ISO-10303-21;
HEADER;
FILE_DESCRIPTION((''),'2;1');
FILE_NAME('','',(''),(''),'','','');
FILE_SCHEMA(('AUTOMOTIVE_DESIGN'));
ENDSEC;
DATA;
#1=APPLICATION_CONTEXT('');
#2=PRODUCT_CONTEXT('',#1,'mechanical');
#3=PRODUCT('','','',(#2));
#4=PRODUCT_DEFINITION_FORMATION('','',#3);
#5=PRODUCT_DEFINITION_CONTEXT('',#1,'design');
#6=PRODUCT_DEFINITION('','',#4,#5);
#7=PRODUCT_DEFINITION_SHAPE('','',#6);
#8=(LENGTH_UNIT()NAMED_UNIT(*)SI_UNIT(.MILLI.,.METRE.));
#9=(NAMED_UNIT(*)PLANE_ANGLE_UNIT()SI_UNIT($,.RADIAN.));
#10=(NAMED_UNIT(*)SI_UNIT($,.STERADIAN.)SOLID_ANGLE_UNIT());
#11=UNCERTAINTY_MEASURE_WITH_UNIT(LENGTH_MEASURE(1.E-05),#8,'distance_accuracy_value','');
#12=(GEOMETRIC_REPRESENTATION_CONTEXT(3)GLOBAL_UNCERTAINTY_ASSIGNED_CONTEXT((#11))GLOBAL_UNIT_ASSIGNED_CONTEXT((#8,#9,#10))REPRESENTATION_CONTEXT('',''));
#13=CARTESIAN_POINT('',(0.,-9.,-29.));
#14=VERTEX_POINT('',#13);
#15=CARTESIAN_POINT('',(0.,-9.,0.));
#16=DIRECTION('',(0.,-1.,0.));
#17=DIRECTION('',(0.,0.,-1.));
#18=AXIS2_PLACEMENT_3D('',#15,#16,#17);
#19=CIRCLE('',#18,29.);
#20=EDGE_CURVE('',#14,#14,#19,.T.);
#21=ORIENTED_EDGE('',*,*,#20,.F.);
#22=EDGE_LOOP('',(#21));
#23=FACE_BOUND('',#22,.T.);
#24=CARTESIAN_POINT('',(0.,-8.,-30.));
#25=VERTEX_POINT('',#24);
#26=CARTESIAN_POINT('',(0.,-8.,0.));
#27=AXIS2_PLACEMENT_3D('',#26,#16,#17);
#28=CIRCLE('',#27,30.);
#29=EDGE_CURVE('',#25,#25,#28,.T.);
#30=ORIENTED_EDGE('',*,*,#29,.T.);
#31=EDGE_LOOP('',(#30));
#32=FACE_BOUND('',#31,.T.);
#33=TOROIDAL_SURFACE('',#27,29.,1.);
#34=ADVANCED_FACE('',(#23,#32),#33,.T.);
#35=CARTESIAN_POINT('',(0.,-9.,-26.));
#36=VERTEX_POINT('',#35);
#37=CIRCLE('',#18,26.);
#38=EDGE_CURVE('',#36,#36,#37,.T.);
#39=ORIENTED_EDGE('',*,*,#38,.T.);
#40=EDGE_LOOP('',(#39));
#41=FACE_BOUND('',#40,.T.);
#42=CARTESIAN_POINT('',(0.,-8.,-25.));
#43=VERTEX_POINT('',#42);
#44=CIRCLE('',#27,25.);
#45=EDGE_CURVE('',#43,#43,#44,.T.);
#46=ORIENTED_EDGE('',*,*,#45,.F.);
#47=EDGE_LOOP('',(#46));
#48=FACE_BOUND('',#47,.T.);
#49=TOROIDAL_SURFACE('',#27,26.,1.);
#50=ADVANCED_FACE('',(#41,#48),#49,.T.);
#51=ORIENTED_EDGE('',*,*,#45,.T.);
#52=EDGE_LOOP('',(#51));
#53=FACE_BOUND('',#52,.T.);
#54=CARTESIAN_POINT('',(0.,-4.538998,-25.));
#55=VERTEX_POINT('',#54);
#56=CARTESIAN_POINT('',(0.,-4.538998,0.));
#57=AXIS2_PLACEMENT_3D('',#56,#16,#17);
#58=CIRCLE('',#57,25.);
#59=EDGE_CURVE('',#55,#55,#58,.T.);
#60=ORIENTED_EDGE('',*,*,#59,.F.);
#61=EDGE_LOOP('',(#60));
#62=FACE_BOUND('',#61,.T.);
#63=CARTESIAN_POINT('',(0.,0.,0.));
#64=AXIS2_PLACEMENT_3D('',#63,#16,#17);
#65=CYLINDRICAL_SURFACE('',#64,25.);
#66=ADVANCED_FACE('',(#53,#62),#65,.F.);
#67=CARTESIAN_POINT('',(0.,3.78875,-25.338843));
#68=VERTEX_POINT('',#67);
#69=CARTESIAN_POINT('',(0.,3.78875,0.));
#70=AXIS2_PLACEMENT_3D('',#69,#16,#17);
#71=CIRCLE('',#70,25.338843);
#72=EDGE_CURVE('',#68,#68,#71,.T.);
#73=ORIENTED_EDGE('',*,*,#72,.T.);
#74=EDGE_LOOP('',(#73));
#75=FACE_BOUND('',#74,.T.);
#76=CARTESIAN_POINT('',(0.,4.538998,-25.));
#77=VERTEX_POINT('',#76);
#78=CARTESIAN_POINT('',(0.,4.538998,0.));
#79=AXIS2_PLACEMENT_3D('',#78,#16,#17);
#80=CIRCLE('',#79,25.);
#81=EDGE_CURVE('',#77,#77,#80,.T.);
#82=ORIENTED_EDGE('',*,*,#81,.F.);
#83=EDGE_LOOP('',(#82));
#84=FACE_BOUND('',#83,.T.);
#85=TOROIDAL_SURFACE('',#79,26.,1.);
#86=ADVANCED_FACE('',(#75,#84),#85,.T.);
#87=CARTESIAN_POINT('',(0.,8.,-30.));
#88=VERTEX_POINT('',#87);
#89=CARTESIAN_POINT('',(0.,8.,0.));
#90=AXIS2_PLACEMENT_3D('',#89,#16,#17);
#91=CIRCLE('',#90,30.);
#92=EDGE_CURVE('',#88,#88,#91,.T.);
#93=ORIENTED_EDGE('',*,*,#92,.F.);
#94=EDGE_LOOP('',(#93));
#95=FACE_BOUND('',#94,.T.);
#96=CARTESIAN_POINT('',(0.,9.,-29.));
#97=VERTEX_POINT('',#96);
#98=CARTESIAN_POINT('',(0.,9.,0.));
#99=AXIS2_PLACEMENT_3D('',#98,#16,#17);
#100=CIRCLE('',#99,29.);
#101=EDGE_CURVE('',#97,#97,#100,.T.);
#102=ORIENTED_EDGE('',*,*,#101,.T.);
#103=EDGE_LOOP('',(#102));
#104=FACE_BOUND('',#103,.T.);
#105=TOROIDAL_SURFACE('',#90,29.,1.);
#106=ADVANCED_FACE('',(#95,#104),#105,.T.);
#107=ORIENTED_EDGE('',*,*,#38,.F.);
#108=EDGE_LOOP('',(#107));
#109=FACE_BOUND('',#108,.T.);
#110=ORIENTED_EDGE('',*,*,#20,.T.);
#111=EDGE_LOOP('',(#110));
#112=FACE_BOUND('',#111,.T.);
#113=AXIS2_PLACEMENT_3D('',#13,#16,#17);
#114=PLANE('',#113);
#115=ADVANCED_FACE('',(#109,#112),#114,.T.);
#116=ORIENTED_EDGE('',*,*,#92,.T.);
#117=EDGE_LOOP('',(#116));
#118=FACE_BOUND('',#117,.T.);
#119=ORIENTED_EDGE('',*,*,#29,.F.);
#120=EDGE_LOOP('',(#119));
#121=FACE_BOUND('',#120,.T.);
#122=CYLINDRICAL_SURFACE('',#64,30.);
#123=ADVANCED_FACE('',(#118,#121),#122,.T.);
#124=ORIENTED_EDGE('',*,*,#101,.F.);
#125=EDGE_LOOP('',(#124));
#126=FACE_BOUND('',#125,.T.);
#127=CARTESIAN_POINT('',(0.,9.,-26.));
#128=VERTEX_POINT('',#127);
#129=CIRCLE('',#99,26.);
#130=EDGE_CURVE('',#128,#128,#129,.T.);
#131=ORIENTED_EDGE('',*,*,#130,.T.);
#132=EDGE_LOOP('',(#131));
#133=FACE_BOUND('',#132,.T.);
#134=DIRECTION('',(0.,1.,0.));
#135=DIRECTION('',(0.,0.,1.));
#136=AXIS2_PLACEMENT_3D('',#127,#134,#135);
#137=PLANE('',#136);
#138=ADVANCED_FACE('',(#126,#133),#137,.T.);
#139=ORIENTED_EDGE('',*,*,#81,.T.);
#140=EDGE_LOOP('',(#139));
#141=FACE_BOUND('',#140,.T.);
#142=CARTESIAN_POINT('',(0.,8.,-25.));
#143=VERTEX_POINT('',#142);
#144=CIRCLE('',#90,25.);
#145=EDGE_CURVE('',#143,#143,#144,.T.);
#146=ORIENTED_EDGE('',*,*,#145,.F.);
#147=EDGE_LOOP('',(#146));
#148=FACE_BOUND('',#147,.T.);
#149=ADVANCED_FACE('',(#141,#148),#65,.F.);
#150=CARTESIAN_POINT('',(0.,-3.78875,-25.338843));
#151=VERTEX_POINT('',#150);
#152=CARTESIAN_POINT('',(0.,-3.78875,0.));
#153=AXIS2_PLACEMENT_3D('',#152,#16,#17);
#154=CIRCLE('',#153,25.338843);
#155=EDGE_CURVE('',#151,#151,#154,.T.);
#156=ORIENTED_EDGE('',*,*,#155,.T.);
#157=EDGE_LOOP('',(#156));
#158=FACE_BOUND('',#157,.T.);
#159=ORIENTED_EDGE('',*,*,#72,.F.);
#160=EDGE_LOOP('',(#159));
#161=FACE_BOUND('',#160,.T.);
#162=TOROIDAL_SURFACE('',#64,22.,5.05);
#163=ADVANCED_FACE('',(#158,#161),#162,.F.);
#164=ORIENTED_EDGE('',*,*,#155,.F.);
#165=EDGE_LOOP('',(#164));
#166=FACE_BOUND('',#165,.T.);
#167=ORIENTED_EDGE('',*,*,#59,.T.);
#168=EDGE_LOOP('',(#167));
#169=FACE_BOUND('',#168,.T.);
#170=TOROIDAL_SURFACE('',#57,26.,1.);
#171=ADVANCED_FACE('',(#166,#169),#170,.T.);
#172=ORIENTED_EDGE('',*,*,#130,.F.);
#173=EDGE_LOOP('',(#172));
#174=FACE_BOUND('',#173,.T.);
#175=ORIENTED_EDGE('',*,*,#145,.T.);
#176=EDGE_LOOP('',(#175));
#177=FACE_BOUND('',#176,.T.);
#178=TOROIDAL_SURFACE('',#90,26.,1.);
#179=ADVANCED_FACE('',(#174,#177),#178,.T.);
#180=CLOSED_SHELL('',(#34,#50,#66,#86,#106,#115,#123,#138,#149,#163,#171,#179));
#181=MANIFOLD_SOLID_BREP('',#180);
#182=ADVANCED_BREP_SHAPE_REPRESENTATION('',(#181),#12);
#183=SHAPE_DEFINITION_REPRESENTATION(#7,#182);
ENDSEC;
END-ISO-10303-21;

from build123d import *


with BuildPart() as part:
    # Sketch1 → Revolve1 (revolve)
    with BuildSketch(Plane(origin=(0, 0, 0), x_dir=(0, 0, -1), z_dir=(1, 0, 0))):
        with BuildLine():
            Line((25, -8), (25, -4.538997687))
            ThreePointArc((25, -4.538997687), (25.088639197, -4.127389271), (25.338842975, -3.788750135))
            ThreePointArc((25.338842975, -3.788750135), (27.05, 0), (25.338842975, 3.788750135))
            ThreePointArc((25.338842975, 3.788750135), (25.088639197, 4.127389271), (25, 4.538997687))
            Line((25, 4.538997687), (25, 8))
            ThreePointArc((25, 8), (25.292893219, 8.707106781), (26, 9))
            Line((26, 9), (29, 9))
            ThreePointArc((29, 9), (29.707106781, 8.707106781), (30, 8))
            Line((30, 8), (30, -8))
            ThreePointArc((30, -8), (29.707106781, -8.707106781), (29, -9))
            Line((29, -9), (26, -9))
            ThreePointArc((26, -9), (25.292893219, -8.707106781), (25, -8))
        make_face()
    revolve(axis=Axis((0, 0, 0), (0, 1, 0)))


solid = part.part
